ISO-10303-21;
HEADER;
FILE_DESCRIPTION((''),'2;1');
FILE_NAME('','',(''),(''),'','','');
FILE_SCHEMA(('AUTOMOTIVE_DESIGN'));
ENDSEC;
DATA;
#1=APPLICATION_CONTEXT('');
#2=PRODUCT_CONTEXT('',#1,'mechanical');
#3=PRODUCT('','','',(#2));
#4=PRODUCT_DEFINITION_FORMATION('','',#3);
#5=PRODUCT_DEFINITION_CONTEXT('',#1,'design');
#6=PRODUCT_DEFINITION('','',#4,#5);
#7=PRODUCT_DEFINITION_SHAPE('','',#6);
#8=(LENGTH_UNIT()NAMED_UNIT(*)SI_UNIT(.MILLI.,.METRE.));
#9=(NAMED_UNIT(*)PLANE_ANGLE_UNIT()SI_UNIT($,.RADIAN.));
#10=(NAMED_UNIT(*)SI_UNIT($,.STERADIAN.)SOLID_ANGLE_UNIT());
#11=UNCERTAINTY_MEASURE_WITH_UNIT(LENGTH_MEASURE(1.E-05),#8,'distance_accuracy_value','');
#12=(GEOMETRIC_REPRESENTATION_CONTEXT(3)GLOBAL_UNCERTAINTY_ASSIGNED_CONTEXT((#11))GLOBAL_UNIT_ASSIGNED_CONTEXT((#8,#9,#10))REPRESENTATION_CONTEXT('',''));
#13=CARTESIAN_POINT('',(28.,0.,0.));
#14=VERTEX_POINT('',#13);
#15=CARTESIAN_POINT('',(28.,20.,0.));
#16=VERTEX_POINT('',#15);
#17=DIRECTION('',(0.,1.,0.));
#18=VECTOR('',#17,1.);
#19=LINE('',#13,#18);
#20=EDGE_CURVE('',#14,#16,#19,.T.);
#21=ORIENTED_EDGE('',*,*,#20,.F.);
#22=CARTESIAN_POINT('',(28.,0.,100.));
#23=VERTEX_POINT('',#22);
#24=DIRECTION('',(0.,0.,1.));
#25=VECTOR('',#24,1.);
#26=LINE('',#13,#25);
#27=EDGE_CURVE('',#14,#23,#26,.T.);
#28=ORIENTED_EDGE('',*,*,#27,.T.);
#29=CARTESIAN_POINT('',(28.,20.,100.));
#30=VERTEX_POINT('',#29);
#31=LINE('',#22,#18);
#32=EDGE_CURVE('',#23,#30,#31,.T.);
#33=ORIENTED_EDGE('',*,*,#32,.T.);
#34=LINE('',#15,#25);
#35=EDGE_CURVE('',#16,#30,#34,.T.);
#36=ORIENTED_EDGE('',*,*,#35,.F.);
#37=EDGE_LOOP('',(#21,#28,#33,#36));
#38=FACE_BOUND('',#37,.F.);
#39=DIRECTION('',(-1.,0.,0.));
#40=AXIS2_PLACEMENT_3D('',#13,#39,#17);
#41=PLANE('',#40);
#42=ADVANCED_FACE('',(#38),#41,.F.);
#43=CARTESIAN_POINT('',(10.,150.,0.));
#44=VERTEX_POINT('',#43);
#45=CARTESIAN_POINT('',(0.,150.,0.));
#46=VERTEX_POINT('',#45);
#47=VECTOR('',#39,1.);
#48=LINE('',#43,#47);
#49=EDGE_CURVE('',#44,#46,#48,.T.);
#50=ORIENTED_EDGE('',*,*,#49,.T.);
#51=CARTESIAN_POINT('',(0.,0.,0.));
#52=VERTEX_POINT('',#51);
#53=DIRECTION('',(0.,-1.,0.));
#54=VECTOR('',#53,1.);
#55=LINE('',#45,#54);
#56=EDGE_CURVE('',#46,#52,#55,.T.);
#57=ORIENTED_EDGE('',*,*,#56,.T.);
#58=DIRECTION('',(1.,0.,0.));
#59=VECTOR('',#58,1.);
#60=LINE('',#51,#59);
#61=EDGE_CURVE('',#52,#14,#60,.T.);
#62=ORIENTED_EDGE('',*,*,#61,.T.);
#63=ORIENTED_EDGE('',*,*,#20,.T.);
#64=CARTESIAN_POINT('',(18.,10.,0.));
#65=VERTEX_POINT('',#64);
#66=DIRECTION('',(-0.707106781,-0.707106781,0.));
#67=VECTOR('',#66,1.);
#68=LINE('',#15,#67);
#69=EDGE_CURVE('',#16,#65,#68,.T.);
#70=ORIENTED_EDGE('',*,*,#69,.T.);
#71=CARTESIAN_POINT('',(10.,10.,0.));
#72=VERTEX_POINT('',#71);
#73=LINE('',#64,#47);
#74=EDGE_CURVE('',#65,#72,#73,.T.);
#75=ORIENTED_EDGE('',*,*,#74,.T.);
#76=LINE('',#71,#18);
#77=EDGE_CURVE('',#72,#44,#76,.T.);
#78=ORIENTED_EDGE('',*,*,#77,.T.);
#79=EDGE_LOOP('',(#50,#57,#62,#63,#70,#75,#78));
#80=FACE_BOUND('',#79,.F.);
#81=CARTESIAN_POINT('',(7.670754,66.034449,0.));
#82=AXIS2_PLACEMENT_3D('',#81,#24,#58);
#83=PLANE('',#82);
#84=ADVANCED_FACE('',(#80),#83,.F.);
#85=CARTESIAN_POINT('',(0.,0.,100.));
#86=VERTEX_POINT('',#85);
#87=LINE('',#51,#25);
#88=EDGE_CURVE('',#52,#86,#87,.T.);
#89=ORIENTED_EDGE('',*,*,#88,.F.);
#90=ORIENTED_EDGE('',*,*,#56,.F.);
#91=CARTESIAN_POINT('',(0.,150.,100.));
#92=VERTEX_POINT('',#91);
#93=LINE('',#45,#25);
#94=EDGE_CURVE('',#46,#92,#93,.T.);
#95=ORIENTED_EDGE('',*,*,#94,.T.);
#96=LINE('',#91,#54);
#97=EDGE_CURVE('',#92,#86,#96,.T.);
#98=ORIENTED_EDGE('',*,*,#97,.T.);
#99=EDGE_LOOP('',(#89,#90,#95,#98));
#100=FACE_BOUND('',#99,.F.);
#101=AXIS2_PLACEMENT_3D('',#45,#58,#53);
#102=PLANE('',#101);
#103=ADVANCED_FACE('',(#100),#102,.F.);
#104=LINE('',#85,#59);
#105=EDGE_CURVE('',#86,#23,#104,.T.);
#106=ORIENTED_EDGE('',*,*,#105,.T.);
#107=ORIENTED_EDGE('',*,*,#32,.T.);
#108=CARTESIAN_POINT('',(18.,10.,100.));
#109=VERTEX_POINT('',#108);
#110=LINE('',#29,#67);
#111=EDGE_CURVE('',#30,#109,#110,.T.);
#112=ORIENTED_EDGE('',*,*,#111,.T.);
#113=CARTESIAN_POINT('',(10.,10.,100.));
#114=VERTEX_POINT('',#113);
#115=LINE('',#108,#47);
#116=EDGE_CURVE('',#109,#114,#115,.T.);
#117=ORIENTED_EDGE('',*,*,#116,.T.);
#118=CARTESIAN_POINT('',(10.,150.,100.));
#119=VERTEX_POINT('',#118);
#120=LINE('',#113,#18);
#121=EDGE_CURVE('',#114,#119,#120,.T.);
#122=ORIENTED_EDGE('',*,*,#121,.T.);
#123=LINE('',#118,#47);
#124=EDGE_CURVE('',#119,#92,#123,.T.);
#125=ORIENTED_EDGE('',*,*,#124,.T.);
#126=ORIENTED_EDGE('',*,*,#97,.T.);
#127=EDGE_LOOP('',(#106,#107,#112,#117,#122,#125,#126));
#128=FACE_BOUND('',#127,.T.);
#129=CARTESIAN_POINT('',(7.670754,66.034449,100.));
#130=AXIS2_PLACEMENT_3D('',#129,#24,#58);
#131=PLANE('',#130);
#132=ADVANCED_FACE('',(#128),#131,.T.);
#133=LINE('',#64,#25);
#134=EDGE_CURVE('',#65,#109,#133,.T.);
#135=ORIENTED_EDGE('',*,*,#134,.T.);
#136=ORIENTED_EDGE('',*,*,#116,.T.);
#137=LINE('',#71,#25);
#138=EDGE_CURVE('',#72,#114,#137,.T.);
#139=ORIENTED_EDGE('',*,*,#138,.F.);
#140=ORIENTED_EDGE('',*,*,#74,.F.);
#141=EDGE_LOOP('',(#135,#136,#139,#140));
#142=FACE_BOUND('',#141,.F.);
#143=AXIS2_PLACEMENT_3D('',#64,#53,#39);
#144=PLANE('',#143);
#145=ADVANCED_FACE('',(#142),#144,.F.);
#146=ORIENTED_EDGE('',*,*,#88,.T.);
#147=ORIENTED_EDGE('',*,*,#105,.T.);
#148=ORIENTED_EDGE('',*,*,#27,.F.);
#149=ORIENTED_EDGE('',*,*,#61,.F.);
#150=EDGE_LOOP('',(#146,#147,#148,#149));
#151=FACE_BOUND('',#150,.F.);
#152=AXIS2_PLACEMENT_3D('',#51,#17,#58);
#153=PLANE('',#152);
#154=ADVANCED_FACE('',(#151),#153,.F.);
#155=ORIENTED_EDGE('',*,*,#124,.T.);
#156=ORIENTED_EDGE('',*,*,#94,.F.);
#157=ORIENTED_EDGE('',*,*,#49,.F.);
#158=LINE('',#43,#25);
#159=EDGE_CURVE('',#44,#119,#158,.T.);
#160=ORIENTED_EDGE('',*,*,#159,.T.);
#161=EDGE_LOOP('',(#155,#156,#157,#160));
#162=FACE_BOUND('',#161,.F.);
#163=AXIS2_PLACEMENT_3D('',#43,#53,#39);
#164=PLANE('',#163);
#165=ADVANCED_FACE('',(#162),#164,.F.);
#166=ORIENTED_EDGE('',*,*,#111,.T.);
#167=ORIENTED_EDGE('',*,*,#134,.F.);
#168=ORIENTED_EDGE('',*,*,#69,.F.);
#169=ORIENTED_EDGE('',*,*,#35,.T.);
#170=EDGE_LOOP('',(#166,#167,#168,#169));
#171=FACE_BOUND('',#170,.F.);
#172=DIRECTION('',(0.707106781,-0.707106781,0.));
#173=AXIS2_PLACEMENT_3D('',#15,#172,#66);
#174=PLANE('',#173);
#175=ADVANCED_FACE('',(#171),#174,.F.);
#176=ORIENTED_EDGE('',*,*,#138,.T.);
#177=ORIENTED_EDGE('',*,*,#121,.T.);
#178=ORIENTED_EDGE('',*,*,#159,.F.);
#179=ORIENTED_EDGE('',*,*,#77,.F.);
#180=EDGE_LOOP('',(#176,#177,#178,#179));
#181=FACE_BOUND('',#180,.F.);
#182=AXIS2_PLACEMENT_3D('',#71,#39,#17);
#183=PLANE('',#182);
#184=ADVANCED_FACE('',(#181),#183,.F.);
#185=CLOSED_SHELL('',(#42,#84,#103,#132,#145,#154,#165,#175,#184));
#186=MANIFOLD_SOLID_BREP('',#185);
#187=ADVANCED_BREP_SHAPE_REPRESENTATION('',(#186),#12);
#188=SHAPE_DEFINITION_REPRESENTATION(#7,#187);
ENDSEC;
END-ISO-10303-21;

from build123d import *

# Parameters (mm, degrees)
PAD_DEPTH = 100


with BuildPart() as part:
    # Sketch → Pad (new body)
    with BuildSketch(Plane.XY):
        Polygon((0, 150), (0, 0), (28, 0), (28, 20), (18, 10), (10, 10), (10, 150), align=None)
    extrude(amount=PAD_DEPTH)


solid = part.part
